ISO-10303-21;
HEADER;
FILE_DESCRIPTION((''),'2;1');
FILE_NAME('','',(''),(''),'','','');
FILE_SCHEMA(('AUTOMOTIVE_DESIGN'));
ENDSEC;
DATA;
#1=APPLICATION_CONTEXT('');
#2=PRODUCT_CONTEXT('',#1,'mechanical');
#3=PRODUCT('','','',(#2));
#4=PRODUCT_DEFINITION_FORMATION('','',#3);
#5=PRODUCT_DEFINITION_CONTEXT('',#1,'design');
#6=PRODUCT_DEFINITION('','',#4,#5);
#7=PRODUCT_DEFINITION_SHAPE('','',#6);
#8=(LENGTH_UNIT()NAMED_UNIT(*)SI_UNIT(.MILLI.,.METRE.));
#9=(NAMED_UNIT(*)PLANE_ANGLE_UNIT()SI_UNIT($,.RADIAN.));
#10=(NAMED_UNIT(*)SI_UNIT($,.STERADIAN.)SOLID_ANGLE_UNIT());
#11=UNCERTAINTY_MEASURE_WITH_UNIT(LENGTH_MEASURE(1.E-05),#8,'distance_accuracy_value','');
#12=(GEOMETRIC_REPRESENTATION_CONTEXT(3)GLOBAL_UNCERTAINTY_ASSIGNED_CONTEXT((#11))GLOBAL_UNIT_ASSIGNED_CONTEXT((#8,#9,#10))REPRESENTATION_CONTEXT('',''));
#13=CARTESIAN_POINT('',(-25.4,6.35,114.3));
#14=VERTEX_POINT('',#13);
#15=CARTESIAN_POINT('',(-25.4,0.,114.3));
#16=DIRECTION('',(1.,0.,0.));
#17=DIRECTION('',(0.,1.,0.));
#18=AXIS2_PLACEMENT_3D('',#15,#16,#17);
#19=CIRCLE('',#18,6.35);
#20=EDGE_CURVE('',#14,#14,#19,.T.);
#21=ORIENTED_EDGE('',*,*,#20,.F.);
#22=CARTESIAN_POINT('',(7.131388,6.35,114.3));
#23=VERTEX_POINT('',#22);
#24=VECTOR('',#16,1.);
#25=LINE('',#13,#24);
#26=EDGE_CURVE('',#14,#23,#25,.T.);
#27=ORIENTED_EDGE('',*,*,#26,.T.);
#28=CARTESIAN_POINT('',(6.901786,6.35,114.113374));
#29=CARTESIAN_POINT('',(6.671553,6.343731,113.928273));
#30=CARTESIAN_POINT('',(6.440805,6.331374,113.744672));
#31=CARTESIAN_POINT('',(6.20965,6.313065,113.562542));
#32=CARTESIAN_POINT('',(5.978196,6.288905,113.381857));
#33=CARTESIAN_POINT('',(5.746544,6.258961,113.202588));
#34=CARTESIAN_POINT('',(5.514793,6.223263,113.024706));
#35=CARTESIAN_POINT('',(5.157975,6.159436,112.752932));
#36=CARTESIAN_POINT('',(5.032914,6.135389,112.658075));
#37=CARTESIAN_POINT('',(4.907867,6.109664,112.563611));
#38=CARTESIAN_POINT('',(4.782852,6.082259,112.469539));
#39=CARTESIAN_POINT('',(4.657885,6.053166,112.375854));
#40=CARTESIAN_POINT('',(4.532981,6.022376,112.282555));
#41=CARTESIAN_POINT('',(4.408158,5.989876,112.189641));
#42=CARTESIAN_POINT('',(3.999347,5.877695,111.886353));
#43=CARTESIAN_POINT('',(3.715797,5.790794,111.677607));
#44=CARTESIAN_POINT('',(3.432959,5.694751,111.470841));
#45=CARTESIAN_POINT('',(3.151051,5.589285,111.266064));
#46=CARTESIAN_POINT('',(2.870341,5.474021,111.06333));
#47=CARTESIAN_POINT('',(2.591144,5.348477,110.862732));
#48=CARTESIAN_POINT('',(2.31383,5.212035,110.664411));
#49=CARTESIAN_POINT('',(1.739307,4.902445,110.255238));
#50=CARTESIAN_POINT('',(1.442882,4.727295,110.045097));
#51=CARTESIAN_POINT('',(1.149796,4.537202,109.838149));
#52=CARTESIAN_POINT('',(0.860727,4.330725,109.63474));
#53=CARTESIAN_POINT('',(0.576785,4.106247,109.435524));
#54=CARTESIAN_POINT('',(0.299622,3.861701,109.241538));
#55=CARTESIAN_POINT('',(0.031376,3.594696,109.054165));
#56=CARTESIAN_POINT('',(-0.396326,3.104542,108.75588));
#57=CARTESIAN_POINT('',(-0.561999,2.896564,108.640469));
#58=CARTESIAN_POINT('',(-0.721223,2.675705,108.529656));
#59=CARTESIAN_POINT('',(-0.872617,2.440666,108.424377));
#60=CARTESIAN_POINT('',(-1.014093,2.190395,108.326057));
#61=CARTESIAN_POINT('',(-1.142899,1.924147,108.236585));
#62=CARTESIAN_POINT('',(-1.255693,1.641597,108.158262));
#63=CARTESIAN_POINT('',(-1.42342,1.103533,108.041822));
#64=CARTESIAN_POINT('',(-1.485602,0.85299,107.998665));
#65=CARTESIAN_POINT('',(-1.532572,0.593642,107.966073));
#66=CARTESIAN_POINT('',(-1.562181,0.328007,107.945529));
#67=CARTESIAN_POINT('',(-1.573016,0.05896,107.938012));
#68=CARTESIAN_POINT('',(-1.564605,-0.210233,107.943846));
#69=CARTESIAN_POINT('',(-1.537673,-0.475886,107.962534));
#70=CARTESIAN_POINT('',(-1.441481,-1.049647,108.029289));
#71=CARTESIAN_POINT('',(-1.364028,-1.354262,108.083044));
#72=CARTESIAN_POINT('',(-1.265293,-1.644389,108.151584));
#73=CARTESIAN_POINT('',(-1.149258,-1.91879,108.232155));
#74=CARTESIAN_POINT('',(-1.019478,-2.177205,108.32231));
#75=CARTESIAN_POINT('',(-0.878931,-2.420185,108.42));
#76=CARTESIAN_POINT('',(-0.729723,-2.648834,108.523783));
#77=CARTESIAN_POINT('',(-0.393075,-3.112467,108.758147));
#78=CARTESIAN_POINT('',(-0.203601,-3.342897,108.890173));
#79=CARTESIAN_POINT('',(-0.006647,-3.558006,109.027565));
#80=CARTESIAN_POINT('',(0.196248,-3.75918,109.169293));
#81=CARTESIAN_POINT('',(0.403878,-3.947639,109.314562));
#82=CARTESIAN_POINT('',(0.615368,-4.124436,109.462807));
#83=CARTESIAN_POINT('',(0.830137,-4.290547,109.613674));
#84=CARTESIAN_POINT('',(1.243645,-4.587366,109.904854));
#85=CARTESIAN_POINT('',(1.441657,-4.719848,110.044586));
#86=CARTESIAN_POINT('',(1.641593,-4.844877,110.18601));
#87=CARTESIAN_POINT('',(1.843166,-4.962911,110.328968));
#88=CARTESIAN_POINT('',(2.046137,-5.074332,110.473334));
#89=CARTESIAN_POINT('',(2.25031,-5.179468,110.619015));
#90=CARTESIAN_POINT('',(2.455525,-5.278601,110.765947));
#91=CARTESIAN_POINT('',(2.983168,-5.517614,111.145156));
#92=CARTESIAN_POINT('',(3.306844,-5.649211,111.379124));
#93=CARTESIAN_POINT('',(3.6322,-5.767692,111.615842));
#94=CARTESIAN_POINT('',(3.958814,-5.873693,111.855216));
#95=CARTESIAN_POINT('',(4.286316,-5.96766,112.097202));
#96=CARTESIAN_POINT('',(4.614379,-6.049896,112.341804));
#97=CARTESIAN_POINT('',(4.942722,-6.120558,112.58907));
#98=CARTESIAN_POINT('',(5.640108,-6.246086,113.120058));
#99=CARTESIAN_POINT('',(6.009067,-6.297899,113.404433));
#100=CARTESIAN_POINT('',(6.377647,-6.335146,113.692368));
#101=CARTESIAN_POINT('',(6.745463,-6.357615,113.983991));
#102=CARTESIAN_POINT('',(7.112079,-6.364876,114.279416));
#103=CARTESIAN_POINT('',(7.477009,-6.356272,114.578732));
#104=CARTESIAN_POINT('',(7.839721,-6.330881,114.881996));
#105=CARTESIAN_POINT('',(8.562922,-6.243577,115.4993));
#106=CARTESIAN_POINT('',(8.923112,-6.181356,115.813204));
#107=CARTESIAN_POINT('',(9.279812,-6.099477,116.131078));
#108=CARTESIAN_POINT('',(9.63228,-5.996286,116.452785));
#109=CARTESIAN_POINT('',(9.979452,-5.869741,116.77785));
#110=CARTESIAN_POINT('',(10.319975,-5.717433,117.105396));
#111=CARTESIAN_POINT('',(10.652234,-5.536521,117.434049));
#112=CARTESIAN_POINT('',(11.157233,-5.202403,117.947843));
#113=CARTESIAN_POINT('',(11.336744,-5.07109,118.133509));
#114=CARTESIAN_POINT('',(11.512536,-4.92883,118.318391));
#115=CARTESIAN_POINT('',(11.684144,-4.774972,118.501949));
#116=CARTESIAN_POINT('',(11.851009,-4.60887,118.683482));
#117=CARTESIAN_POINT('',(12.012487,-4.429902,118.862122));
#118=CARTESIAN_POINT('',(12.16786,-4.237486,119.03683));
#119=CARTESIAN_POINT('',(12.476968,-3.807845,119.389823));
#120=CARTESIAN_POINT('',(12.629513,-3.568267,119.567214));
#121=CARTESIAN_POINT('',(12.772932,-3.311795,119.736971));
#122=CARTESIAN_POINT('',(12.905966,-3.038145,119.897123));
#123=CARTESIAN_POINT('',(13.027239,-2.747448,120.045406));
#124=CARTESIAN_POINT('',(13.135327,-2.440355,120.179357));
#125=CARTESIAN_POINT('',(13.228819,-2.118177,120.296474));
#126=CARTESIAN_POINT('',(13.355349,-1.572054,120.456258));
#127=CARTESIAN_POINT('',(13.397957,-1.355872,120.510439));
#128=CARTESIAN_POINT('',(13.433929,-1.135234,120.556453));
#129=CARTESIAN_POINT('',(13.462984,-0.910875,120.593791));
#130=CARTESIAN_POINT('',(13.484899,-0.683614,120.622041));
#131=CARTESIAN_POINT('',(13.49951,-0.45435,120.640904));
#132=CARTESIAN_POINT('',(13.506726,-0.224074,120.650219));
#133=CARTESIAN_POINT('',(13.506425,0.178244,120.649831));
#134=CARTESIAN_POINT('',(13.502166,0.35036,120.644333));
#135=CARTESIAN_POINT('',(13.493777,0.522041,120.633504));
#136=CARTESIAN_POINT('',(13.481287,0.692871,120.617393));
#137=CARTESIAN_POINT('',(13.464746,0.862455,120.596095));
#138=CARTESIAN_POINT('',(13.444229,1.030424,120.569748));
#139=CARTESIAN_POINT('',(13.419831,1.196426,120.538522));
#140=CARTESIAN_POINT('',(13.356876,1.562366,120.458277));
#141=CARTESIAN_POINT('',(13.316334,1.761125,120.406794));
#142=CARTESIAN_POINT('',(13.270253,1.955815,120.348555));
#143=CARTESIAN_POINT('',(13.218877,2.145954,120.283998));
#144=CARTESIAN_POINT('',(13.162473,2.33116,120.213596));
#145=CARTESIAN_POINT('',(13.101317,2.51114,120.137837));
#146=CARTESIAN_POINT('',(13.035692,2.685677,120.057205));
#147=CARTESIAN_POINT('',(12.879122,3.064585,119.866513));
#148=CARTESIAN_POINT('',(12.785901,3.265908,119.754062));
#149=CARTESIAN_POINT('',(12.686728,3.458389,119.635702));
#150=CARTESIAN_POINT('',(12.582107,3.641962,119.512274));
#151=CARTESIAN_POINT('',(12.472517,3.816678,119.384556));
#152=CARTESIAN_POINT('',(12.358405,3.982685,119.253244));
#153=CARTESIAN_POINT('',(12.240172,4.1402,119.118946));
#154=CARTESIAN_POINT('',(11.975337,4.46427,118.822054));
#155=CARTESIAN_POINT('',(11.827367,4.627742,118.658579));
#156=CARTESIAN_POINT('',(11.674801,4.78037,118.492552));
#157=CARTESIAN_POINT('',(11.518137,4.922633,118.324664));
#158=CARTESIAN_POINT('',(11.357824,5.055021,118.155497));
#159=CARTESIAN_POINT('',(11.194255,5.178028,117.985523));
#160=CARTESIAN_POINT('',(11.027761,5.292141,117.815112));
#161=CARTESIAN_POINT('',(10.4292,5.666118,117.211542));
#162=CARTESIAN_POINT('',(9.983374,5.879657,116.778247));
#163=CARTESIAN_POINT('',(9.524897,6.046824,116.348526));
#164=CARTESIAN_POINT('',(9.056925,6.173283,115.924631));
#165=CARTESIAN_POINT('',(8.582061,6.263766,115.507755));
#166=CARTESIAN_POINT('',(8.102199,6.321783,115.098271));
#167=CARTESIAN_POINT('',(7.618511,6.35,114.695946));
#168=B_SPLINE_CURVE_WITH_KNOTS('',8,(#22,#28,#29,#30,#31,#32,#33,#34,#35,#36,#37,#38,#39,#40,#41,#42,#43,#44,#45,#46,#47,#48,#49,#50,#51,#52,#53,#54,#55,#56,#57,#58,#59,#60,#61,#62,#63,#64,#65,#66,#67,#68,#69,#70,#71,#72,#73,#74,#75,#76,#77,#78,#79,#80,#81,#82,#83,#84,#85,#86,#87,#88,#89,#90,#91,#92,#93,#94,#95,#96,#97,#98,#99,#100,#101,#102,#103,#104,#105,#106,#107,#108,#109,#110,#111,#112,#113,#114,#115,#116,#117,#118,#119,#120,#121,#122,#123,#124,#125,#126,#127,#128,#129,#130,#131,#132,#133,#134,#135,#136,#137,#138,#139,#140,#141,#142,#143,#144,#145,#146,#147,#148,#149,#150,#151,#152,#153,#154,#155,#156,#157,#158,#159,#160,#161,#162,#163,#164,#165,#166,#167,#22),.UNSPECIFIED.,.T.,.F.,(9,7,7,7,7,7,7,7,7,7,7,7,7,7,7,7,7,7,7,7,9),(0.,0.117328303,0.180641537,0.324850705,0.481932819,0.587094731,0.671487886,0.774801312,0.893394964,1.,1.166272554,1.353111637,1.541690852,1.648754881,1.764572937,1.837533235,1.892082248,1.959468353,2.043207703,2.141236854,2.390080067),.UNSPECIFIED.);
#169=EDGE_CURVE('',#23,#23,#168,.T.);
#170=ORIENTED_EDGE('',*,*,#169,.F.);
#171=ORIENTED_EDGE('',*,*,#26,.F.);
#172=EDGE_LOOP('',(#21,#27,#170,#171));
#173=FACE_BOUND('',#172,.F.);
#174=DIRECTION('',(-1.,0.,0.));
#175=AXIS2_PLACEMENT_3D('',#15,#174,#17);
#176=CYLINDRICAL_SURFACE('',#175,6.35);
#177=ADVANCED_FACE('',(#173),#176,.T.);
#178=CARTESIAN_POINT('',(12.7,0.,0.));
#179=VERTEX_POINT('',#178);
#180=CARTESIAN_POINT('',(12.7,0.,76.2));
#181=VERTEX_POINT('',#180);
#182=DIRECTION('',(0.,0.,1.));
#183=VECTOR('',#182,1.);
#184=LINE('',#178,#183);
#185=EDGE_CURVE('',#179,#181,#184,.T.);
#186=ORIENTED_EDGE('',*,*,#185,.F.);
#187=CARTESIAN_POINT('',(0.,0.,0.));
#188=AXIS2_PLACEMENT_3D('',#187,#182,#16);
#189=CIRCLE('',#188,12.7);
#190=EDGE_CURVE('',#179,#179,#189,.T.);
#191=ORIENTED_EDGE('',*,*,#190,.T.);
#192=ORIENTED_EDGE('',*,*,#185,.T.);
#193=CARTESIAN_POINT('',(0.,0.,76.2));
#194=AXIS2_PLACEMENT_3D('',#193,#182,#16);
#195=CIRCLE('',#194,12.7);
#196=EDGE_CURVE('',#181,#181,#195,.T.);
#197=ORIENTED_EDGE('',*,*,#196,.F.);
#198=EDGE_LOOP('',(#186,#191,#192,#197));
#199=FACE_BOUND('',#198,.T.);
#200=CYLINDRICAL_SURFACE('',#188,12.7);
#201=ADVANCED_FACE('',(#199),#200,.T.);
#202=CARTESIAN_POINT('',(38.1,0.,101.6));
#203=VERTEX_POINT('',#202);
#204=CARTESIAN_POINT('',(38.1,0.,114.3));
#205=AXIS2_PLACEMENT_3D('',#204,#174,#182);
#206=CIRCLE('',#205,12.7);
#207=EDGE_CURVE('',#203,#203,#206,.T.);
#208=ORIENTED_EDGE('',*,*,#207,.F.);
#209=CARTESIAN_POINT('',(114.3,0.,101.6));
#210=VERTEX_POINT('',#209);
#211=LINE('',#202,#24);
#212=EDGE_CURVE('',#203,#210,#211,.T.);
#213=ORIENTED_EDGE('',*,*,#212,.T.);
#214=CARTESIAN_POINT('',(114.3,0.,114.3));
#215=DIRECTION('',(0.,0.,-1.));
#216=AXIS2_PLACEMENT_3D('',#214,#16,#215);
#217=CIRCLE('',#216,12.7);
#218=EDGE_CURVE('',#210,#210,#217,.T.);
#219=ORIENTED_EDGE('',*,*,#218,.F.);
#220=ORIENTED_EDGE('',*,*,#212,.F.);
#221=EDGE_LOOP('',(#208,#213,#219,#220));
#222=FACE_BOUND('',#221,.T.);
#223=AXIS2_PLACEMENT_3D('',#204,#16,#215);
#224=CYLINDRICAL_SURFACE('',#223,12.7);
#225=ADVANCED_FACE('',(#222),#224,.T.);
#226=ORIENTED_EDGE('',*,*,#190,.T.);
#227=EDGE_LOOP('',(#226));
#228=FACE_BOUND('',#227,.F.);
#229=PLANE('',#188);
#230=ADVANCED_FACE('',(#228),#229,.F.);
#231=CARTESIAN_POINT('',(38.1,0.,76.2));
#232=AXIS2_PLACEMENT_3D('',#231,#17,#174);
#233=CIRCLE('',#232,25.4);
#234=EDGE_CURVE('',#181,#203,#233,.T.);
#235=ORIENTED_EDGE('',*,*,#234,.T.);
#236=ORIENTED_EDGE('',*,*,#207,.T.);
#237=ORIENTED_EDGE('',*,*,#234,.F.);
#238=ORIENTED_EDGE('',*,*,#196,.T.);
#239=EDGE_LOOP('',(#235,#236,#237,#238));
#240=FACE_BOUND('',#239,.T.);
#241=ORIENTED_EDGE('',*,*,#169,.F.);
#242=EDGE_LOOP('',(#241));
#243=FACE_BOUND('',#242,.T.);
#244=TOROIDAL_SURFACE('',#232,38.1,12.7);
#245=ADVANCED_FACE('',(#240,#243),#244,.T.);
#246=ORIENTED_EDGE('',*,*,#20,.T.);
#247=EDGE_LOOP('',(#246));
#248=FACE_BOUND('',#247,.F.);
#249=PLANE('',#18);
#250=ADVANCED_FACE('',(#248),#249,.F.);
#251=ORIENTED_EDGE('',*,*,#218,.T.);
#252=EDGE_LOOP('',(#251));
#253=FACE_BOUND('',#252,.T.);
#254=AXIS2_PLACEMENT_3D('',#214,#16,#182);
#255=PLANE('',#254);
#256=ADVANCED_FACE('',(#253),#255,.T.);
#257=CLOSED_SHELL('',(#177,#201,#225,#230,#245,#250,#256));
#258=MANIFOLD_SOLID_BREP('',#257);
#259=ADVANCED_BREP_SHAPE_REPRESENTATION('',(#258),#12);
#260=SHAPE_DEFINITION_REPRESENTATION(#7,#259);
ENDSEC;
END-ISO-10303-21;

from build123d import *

# Parameters (mm, degrees)
F1_R     = 12.7
F4_R     = 6.35
F5_DEPTH = 76.2


with BuildPart() as f2:
    # F2: sweep along a path in F0
    with BuildLine(Plane.XZ) as f2_path:
        Line((0, 0), (0, 76.2))
        ThreePointArc((0, 76.2), (11.1592316368, 103.1407683632), (38.1, 114.3))
        Line((38.1, 114.3), (114.3, 114.3))
    # F1 (on Top) → F2 (sweep)
    with BuildSketch(Plane.XY):
        Circle(F1_R)
    sweep(path=f2_path.line)

    # F4 (on offset) → F5 (join)
    with BuildSketch(Plane.YZ.offset(-25.4)):
        with Locations((0, 114.3)):
            Circle(F4_R)
    extrude(amount=F5_DEPTH)


solid = f2.part
